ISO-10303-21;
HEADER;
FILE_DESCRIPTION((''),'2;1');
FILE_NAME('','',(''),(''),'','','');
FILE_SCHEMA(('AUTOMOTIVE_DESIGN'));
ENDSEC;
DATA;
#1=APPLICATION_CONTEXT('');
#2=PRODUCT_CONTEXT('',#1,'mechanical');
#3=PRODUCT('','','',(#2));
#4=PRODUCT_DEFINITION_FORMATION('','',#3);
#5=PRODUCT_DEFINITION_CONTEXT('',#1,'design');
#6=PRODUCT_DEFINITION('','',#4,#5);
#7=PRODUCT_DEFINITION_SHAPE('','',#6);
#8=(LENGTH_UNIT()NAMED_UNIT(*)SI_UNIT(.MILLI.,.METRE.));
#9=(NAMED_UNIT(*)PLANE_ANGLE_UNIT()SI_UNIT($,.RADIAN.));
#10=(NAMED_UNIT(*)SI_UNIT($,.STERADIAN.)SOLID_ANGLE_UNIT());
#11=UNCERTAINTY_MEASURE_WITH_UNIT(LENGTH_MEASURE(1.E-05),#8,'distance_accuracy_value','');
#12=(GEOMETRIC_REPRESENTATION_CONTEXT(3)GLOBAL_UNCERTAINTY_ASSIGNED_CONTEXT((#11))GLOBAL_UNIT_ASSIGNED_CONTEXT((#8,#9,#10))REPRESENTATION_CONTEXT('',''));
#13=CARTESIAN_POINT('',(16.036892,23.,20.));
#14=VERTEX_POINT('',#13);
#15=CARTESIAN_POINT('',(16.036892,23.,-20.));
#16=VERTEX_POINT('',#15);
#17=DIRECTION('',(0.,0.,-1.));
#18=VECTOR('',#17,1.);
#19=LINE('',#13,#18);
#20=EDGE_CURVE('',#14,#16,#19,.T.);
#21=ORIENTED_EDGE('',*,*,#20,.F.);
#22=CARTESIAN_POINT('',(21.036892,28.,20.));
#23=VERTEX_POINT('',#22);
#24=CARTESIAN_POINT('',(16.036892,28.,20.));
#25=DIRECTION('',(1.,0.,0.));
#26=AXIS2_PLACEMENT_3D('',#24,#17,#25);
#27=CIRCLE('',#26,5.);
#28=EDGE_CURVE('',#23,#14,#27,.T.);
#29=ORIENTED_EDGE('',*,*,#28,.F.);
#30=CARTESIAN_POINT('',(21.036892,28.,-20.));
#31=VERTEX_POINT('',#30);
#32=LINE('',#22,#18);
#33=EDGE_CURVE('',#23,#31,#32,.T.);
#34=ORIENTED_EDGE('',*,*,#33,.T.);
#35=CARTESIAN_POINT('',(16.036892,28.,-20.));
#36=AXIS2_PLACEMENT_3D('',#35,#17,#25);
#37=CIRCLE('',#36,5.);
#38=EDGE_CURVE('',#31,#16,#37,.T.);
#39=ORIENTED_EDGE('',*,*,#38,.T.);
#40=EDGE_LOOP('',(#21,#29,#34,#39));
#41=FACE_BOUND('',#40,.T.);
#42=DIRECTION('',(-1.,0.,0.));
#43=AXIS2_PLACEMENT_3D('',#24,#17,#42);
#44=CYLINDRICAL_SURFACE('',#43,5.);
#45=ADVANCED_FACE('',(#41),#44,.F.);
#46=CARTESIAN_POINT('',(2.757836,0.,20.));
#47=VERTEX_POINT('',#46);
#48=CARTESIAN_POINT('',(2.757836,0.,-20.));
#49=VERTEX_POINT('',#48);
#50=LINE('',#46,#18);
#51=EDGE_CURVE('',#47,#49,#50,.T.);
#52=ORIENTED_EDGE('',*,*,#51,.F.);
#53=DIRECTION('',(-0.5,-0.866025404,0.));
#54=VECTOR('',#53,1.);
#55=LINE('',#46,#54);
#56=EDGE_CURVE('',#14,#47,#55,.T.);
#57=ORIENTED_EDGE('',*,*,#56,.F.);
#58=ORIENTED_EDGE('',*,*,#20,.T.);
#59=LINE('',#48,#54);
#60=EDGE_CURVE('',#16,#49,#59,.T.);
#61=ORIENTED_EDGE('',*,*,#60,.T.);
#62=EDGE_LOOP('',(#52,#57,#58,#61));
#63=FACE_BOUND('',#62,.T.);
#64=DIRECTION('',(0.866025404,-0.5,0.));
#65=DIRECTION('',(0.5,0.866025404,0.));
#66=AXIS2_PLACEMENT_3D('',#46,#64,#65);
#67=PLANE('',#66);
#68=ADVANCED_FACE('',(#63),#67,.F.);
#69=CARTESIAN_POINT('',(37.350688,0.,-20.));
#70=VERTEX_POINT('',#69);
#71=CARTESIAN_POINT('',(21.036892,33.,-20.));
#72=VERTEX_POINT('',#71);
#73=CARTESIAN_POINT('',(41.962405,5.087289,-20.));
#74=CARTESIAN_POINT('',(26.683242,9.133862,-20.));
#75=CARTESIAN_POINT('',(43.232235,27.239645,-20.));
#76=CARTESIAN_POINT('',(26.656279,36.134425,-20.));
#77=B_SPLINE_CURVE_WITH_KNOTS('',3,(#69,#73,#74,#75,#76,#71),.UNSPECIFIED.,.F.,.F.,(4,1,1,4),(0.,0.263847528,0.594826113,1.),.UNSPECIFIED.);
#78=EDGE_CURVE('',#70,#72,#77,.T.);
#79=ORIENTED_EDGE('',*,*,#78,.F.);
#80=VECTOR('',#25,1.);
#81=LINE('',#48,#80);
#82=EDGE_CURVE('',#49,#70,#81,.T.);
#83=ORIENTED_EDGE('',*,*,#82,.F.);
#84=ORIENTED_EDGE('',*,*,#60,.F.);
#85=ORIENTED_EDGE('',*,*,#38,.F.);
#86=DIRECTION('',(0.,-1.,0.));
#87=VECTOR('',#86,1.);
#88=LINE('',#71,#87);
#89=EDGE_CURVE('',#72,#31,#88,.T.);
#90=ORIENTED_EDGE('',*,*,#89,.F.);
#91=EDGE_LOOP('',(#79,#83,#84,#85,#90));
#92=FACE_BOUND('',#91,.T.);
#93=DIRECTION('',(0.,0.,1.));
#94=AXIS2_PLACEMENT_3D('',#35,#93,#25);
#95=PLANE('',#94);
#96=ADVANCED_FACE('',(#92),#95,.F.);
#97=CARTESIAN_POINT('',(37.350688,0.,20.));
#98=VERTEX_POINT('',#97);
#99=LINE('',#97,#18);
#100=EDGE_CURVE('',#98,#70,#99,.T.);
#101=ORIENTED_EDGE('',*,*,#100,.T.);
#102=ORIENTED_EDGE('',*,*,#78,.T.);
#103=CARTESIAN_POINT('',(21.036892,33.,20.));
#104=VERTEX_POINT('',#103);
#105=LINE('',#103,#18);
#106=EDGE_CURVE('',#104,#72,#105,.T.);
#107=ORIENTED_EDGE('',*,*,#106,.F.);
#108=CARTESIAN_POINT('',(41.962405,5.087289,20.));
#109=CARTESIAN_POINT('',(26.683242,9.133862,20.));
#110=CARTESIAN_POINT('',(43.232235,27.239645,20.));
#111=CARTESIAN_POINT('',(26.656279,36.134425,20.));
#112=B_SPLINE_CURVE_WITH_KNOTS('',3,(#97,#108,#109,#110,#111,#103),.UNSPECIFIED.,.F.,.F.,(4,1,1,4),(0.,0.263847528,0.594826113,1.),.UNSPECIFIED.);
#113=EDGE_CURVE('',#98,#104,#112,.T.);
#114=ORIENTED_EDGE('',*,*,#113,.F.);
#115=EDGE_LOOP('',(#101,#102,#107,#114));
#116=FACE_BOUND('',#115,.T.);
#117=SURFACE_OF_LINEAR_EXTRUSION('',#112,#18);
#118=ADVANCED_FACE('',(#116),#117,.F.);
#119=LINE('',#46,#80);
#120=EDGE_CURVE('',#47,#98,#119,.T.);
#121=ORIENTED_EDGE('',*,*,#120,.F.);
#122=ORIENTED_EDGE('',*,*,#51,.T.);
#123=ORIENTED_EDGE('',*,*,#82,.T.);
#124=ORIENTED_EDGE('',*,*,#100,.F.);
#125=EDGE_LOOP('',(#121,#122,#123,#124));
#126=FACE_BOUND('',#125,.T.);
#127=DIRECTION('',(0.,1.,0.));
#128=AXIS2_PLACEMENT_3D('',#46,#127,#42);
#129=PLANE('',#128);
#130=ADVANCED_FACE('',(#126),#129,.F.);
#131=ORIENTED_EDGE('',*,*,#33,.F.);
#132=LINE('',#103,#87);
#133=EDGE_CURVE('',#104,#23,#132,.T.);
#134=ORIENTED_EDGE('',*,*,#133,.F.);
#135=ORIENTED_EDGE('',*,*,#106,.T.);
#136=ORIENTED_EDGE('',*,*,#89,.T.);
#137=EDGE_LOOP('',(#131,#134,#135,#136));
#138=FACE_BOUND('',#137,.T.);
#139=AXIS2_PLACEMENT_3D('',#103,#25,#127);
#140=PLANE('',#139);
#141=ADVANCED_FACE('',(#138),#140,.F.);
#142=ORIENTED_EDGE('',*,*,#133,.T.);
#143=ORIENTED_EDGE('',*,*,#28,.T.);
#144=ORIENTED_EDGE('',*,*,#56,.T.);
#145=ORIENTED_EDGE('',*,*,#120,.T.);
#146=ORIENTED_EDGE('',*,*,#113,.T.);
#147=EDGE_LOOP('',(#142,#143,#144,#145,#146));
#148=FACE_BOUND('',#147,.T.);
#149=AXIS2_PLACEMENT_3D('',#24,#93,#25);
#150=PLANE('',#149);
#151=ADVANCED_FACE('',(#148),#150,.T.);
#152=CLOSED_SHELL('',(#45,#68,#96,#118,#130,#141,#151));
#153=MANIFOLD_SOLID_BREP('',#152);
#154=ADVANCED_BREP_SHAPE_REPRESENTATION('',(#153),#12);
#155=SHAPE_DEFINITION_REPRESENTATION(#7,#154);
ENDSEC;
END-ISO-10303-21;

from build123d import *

# Parameters (mm, degrees)
BOSS_EXTRU_1_DEPTH = 20


with BuildPart() as part:
    # Esquisse1 → Boss.-Extru.1 (new, symmetric)
    with BuildSketch(Plane.XY):
        with BuildLine():
            Line((2.757835538, 0), (37.350688144, 0))
            add(Edge.make_bspline(
                [(37.350688144, 0), (41.962405292, 5.087288514), (26.683241818, 9.133861582), (43.232235369, 27.239644515), (26.656278771, 36.134424551), (21.036891729, 33)],
                knots=[0, 0, 0, 0, 0.263847528, 0.594826113, 1, 1, 1, 1], degree=3))
            Line((21.036891729, 33), (21.036891729, 28))
            ThreePointArc((21.036891729, 28), (19.572425635, 24.464466094), (16.036891729, 23))
            Line((16.036891729, 23), (2.757835538, 0))
        make_face()
    extrude(amount=BOSS_EXTRU_1_DEPTH, both=True)


solid = part.part
